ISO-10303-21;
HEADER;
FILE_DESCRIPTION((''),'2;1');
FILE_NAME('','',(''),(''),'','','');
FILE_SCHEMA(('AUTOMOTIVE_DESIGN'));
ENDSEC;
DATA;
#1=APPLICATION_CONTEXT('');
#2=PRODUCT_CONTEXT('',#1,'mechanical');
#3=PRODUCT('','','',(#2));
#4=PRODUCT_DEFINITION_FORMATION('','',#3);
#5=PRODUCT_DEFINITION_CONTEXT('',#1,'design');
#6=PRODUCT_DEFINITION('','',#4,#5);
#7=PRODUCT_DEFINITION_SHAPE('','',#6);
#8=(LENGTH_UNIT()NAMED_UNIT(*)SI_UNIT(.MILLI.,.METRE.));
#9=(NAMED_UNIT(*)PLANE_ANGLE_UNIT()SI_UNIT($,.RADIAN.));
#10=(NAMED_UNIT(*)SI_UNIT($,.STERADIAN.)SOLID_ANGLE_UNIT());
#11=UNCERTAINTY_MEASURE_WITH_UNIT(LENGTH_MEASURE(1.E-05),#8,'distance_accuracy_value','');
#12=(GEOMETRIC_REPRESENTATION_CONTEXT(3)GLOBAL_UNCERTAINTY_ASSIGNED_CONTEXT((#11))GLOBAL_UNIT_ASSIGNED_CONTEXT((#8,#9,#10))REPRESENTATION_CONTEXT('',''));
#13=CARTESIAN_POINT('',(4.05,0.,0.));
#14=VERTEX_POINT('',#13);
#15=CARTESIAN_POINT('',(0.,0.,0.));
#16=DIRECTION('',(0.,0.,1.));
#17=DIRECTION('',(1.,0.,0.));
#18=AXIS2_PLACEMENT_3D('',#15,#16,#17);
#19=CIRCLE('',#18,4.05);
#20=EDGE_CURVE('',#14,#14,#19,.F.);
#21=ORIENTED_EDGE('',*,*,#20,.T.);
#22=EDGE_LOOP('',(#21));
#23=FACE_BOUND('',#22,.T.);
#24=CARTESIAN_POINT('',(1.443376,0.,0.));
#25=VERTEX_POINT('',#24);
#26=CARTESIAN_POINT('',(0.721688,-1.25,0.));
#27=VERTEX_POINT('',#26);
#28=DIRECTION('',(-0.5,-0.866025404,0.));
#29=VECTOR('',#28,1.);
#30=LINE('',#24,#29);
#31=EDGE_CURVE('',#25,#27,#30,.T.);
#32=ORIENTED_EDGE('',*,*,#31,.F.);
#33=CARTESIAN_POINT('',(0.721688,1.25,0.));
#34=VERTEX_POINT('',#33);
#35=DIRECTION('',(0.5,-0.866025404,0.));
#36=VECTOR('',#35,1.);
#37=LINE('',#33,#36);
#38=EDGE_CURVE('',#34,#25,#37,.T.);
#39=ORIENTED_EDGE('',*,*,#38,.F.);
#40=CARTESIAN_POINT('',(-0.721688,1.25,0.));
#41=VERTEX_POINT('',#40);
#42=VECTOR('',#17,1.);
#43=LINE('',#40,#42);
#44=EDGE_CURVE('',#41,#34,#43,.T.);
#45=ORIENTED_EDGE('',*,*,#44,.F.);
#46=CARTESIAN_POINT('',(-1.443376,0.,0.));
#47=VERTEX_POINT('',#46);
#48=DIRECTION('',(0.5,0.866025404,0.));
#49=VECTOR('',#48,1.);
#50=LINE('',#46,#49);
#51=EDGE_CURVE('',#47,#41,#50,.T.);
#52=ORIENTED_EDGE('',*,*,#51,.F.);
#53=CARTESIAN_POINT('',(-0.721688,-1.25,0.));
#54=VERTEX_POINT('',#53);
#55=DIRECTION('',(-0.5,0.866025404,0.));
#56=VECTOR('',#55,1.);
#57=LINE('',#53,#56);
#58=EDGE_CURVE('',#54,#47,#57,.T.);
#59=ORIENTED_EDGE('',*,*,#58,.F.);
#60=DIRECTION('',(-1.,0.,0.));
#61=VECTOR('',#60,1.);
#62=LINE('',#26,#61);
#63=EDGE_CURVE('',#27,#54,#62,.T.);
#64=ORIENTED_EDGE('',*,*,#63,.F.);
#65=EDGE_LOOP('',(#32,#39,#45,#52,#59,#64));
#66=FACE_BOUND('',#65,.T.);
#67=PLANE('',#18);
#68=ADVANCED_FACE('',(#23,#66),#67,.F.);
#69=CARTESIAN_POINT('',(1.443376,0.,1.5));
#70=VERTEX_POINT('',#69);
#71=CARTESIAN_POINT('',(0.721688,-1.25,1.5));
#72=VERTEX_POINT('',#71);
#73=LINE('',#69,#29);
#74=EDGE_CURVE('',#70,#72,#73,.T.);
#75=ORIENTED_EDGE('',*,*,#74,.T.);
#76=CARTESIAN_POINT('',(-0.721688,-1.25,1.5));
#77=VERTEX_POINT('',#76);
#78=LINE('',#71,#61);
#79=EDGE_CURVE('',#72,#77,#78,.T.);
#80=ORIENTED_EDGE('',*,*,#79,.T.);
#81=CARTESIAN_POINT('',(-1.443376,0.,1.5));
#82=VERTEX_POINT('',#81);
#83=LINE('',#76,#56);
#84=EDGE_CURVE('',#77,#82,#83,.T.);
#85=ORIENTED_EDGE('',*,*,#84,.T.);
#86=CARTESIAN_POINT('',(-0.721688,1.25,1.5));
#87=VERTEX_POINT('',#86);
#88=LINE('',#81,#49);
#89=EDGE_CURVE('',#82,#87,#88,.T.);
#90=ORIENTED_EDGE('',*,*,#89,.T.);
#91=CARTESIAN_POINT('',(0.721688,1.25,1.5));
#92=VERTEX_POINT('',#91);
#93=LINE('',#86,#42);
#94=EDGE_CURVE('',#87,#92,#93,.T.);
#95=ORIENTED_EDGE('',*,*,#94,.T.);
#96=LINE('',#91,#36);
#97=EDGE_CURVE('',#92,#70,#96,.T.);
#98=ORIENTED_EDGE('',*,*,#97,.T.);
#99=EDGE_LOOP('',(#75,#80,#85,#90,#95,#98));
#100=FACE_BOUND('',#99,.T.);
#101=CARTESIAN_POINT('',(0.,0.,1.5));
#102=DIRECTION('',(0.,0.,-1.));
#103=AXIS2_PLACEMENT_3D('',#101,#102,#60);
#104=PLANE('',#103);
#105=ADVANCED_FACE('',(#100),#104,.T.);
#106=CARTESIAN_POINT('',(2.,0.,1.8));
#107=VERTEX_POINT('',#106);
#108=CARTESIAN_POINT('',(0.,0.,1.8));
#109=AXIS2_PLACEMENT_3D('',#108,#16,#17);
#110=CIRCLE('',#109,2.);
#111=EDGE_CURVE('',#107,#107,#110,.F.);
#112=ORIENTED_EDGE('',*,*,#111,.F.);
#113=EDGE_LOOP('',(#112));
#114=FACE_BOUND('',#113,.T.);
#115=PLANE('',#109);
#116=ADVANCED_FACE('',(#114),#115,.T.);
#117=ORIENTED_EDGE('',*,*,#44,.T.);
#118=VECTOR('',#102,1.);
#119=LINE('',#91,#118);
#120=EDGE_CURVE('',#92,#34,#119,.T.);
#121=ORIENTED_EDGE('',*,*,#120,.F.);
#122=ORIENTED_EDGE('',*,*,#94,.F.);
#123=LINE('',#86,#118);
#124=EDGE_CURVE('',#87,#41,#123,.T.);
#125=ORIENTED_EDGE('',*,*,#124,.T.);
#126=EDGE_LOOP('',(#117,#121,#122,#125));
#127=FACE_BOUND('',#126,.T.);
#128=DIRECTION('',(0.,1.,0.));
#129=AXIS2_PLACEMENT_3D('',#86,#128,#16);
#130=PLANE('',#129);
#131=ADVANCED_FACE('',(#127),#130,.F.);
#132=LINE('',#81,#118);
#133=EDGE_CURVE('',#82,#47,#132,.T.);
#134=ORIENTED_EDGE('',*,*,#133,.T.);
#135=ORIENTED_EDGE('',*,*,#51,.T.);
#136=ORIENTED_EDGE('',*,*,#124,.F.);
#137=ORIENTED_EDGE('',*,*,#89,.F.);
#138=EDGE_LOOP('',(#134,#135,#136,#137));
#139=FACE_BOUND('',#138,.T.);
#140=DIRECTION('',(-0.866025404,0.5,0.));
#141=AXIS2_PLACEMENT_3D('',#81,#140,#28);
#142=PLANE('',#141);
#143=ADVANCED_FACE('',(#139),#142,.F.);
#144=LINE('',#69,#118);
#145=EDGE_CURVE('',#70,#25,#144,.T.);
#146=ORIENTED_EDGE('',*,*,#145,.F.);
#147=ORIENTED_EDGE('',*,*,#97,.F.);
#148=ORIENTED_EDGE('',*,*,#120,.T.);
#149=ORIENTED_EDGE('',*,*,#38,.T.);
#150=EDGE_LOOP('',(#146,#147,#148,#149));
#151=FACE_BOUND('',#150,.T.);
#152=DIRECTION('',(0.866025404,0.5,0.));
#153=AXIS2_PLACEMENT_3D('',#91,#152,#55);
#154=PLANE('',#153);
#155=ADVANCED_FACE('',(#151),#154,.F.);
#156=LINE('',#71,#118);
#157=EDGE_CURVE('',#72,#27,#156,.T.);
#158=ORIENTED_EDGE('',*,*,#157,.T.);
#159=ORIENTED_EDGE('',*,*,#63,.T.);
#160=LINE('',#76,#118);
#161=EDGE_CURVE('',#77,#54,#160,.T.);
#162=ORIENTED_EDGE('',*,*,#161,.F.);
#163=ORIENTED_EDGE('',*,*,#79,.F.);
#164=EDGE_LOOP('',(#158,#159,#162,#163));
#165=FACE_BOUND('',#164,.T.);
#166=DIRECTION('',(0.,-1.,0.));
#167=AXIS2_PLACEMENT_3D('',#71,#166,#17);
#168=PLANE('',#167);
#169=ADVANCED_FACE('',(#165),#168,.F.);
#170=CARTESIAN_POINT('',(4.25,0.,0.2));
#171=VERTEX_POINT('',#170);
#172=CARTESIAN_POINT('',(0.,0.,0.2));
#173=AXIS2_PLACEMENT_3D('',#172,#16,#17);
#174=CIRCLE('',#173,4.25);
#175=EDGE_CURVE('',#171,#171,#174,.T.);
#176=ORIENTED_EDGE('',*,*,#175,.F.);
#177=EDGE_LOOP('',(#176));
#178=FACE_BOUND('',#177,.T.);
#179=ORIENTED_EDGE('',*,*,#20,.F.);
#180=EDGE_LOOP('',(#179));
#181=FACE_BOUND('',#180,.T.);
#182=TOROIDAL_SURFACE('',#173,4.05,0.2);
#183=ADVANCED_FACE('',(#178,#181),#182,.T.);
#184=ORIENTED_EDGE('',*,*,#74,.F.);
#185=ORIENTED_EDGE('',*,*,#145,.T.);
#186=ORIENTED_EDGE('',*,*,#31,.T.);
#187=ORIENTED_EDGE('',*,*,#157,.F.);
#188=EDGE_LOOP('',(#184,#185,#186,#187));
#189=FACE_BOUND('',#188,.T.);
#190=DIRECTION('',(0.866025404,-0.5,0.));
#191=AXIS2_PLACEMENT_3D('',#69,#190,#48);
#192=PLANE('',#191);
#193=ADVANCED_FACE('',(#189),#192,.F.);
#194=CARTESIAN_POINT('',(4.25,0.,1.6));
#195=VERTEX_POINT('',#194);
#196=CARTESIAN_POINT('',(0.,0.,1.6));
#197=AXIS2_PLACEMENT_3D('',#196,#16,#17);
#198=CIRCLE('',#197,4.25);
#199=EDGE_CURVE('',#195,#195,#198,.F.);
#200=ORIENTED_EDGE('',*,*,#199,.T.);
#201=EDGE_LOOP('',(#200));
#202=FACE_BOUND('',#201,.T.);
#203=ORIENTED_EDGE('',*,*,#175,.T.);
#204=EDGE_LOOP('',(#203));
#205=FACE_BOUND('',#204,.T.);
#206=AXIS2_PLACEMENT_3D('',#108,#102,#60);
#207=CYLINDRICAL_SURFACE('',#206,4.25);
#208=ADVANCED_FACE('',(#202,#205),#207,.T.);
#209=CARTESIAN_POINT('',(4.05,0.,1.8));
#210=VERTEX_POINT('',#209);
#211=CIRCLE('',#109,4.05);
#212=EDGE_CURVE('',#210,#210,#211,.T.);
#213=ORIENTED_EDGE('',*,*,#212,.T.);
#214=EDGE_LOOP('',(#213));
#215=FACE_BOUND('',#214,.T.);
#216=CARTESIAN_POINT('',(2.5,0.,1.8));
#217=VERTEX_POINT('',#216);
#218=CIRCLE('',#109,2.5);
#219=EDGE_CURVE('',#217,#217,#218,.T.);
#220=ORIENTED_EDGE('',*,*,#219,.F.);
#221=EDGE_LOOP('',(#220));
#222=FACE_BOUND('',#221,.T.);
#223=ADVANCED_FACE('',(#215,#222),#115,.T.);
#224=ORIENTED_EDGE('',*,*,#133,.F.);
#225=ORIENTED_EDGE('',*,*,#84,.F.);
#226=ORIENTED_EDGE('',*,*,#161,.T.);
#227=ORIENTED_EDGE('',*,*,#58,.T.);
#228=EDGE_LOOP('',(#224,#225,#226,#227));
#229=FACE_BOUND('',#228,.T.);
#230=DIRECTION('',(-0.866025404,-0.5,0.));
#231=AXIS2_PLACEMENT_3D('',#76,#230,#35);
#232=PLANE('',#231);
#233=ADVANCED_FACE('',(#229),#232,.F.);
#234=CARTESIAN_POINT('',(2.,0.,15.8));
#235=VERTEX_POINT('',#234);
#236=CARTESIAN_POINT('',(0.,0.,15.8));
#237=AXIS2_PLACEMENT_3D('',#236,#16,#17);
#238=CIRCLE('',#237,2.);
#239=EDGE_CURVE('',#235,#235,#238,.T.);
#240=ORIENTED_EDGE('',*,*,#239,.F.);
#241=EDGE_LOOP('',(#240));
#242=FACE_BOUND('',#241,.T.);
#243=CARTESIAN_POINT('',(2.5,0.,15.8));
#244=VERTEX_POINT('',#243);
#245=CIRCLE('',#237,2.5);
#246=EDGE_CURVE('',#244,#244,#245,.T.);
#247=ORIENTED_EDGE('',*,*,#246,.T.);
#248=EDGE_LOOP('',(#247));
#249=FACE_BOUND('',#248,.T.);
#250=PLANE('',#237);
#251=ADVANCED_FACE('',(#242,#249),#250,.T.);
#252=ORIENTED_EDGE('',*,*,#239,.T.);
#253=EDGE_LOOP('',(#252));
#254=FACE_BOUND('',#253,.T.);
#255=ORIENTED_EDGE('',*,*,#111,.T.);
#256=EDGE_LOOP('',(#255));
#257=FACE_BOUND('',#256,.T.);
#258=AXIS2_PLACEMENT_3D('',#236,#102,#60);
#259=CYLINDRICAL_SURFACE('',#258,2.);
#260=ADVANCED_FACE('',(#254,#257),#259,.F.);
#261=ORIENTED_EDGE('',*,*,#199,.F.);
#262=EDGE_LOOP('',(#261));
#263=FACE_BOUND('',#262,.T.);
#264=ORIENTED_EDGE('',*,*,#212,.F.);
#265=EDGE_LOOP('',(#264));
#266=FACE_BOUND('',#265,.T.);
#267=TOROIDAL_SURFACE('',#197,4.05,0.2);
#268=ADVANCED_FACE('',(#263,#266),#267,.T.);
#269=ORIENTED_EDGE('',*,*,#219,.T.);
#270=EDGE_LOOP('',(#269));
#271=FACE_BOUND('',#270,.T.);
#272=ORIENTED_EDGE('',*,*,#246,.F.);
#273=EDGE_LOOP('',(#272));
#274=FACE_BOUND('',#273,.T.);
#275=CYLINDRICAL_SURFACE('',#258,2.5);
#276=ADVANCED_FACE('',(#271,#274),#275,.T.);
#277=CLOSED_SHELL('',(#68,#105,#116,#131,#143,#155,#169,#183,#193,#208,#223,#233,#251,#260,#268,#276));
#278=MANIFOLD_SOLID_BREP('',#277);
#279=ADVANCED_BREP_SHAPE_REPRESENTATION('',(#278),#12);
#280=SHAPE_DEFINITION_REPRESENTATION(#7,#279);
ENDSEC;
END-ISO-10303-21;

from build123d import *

# Parameters (mm, degrees)
SKETCH_1_R          = 4.25
EXTRUDE_1_DEPTH     = 1.8
SKETCH_2_R          = 2.5
SKETCH_2_R_2        = 2
EXTRUDE_2_DEPTH     = 14
FILLET_1_R          = 0.2
CUT_EXTRUDE_1_DEPTH = 1.5


with BuildPart() as part:
    # 草图1 → 凸台-拉伸1 (new body)
    with BuildSketch(Plane.XY):
        Circle(SKETCH_1_R)
    extrude(amount=EXTRUDE_1_DEPTH)

    # 草图2 → 凸台-拉伸2 (add)
    with BuildSketch(Plane.XY.offset(1.8)):
        Circle(SKETCH_2_R)
        Circle(SKETCH_2_R_2, mode=Mode.SUBTRACT)
    extrude(amount=EXTRUDE_2_DEPTH)

    # 圆角1
    fillet_1_edges = [part.edges().sort_by_distance(p)[0] for p in [
        (-4.25, 0, 0),
        (-4.25, 0, 1.8),
    ]]
    fillet(fillet_1_edges, radius=FILLET_1_R)

    # 草图3 → 切除-拉伸1 (cut)
    with BuildSketch(Plane(origin=(0, 0, 0), x_dir=(-1, 0, 0), z_dir=(0, 0, -1))):
        Polygon((1.443375673, 0), (0.721687836, 1.25), (-0.721687836, 1.25), (-1.443375673, 0), (-0.721687836, -1.25), (0.721687836, -1.25), align=None)
    extrude(amount=-CUT_EXTRUDE_1_DEPTH, mode=Mode.SUBTRACT)


solid = part.part
